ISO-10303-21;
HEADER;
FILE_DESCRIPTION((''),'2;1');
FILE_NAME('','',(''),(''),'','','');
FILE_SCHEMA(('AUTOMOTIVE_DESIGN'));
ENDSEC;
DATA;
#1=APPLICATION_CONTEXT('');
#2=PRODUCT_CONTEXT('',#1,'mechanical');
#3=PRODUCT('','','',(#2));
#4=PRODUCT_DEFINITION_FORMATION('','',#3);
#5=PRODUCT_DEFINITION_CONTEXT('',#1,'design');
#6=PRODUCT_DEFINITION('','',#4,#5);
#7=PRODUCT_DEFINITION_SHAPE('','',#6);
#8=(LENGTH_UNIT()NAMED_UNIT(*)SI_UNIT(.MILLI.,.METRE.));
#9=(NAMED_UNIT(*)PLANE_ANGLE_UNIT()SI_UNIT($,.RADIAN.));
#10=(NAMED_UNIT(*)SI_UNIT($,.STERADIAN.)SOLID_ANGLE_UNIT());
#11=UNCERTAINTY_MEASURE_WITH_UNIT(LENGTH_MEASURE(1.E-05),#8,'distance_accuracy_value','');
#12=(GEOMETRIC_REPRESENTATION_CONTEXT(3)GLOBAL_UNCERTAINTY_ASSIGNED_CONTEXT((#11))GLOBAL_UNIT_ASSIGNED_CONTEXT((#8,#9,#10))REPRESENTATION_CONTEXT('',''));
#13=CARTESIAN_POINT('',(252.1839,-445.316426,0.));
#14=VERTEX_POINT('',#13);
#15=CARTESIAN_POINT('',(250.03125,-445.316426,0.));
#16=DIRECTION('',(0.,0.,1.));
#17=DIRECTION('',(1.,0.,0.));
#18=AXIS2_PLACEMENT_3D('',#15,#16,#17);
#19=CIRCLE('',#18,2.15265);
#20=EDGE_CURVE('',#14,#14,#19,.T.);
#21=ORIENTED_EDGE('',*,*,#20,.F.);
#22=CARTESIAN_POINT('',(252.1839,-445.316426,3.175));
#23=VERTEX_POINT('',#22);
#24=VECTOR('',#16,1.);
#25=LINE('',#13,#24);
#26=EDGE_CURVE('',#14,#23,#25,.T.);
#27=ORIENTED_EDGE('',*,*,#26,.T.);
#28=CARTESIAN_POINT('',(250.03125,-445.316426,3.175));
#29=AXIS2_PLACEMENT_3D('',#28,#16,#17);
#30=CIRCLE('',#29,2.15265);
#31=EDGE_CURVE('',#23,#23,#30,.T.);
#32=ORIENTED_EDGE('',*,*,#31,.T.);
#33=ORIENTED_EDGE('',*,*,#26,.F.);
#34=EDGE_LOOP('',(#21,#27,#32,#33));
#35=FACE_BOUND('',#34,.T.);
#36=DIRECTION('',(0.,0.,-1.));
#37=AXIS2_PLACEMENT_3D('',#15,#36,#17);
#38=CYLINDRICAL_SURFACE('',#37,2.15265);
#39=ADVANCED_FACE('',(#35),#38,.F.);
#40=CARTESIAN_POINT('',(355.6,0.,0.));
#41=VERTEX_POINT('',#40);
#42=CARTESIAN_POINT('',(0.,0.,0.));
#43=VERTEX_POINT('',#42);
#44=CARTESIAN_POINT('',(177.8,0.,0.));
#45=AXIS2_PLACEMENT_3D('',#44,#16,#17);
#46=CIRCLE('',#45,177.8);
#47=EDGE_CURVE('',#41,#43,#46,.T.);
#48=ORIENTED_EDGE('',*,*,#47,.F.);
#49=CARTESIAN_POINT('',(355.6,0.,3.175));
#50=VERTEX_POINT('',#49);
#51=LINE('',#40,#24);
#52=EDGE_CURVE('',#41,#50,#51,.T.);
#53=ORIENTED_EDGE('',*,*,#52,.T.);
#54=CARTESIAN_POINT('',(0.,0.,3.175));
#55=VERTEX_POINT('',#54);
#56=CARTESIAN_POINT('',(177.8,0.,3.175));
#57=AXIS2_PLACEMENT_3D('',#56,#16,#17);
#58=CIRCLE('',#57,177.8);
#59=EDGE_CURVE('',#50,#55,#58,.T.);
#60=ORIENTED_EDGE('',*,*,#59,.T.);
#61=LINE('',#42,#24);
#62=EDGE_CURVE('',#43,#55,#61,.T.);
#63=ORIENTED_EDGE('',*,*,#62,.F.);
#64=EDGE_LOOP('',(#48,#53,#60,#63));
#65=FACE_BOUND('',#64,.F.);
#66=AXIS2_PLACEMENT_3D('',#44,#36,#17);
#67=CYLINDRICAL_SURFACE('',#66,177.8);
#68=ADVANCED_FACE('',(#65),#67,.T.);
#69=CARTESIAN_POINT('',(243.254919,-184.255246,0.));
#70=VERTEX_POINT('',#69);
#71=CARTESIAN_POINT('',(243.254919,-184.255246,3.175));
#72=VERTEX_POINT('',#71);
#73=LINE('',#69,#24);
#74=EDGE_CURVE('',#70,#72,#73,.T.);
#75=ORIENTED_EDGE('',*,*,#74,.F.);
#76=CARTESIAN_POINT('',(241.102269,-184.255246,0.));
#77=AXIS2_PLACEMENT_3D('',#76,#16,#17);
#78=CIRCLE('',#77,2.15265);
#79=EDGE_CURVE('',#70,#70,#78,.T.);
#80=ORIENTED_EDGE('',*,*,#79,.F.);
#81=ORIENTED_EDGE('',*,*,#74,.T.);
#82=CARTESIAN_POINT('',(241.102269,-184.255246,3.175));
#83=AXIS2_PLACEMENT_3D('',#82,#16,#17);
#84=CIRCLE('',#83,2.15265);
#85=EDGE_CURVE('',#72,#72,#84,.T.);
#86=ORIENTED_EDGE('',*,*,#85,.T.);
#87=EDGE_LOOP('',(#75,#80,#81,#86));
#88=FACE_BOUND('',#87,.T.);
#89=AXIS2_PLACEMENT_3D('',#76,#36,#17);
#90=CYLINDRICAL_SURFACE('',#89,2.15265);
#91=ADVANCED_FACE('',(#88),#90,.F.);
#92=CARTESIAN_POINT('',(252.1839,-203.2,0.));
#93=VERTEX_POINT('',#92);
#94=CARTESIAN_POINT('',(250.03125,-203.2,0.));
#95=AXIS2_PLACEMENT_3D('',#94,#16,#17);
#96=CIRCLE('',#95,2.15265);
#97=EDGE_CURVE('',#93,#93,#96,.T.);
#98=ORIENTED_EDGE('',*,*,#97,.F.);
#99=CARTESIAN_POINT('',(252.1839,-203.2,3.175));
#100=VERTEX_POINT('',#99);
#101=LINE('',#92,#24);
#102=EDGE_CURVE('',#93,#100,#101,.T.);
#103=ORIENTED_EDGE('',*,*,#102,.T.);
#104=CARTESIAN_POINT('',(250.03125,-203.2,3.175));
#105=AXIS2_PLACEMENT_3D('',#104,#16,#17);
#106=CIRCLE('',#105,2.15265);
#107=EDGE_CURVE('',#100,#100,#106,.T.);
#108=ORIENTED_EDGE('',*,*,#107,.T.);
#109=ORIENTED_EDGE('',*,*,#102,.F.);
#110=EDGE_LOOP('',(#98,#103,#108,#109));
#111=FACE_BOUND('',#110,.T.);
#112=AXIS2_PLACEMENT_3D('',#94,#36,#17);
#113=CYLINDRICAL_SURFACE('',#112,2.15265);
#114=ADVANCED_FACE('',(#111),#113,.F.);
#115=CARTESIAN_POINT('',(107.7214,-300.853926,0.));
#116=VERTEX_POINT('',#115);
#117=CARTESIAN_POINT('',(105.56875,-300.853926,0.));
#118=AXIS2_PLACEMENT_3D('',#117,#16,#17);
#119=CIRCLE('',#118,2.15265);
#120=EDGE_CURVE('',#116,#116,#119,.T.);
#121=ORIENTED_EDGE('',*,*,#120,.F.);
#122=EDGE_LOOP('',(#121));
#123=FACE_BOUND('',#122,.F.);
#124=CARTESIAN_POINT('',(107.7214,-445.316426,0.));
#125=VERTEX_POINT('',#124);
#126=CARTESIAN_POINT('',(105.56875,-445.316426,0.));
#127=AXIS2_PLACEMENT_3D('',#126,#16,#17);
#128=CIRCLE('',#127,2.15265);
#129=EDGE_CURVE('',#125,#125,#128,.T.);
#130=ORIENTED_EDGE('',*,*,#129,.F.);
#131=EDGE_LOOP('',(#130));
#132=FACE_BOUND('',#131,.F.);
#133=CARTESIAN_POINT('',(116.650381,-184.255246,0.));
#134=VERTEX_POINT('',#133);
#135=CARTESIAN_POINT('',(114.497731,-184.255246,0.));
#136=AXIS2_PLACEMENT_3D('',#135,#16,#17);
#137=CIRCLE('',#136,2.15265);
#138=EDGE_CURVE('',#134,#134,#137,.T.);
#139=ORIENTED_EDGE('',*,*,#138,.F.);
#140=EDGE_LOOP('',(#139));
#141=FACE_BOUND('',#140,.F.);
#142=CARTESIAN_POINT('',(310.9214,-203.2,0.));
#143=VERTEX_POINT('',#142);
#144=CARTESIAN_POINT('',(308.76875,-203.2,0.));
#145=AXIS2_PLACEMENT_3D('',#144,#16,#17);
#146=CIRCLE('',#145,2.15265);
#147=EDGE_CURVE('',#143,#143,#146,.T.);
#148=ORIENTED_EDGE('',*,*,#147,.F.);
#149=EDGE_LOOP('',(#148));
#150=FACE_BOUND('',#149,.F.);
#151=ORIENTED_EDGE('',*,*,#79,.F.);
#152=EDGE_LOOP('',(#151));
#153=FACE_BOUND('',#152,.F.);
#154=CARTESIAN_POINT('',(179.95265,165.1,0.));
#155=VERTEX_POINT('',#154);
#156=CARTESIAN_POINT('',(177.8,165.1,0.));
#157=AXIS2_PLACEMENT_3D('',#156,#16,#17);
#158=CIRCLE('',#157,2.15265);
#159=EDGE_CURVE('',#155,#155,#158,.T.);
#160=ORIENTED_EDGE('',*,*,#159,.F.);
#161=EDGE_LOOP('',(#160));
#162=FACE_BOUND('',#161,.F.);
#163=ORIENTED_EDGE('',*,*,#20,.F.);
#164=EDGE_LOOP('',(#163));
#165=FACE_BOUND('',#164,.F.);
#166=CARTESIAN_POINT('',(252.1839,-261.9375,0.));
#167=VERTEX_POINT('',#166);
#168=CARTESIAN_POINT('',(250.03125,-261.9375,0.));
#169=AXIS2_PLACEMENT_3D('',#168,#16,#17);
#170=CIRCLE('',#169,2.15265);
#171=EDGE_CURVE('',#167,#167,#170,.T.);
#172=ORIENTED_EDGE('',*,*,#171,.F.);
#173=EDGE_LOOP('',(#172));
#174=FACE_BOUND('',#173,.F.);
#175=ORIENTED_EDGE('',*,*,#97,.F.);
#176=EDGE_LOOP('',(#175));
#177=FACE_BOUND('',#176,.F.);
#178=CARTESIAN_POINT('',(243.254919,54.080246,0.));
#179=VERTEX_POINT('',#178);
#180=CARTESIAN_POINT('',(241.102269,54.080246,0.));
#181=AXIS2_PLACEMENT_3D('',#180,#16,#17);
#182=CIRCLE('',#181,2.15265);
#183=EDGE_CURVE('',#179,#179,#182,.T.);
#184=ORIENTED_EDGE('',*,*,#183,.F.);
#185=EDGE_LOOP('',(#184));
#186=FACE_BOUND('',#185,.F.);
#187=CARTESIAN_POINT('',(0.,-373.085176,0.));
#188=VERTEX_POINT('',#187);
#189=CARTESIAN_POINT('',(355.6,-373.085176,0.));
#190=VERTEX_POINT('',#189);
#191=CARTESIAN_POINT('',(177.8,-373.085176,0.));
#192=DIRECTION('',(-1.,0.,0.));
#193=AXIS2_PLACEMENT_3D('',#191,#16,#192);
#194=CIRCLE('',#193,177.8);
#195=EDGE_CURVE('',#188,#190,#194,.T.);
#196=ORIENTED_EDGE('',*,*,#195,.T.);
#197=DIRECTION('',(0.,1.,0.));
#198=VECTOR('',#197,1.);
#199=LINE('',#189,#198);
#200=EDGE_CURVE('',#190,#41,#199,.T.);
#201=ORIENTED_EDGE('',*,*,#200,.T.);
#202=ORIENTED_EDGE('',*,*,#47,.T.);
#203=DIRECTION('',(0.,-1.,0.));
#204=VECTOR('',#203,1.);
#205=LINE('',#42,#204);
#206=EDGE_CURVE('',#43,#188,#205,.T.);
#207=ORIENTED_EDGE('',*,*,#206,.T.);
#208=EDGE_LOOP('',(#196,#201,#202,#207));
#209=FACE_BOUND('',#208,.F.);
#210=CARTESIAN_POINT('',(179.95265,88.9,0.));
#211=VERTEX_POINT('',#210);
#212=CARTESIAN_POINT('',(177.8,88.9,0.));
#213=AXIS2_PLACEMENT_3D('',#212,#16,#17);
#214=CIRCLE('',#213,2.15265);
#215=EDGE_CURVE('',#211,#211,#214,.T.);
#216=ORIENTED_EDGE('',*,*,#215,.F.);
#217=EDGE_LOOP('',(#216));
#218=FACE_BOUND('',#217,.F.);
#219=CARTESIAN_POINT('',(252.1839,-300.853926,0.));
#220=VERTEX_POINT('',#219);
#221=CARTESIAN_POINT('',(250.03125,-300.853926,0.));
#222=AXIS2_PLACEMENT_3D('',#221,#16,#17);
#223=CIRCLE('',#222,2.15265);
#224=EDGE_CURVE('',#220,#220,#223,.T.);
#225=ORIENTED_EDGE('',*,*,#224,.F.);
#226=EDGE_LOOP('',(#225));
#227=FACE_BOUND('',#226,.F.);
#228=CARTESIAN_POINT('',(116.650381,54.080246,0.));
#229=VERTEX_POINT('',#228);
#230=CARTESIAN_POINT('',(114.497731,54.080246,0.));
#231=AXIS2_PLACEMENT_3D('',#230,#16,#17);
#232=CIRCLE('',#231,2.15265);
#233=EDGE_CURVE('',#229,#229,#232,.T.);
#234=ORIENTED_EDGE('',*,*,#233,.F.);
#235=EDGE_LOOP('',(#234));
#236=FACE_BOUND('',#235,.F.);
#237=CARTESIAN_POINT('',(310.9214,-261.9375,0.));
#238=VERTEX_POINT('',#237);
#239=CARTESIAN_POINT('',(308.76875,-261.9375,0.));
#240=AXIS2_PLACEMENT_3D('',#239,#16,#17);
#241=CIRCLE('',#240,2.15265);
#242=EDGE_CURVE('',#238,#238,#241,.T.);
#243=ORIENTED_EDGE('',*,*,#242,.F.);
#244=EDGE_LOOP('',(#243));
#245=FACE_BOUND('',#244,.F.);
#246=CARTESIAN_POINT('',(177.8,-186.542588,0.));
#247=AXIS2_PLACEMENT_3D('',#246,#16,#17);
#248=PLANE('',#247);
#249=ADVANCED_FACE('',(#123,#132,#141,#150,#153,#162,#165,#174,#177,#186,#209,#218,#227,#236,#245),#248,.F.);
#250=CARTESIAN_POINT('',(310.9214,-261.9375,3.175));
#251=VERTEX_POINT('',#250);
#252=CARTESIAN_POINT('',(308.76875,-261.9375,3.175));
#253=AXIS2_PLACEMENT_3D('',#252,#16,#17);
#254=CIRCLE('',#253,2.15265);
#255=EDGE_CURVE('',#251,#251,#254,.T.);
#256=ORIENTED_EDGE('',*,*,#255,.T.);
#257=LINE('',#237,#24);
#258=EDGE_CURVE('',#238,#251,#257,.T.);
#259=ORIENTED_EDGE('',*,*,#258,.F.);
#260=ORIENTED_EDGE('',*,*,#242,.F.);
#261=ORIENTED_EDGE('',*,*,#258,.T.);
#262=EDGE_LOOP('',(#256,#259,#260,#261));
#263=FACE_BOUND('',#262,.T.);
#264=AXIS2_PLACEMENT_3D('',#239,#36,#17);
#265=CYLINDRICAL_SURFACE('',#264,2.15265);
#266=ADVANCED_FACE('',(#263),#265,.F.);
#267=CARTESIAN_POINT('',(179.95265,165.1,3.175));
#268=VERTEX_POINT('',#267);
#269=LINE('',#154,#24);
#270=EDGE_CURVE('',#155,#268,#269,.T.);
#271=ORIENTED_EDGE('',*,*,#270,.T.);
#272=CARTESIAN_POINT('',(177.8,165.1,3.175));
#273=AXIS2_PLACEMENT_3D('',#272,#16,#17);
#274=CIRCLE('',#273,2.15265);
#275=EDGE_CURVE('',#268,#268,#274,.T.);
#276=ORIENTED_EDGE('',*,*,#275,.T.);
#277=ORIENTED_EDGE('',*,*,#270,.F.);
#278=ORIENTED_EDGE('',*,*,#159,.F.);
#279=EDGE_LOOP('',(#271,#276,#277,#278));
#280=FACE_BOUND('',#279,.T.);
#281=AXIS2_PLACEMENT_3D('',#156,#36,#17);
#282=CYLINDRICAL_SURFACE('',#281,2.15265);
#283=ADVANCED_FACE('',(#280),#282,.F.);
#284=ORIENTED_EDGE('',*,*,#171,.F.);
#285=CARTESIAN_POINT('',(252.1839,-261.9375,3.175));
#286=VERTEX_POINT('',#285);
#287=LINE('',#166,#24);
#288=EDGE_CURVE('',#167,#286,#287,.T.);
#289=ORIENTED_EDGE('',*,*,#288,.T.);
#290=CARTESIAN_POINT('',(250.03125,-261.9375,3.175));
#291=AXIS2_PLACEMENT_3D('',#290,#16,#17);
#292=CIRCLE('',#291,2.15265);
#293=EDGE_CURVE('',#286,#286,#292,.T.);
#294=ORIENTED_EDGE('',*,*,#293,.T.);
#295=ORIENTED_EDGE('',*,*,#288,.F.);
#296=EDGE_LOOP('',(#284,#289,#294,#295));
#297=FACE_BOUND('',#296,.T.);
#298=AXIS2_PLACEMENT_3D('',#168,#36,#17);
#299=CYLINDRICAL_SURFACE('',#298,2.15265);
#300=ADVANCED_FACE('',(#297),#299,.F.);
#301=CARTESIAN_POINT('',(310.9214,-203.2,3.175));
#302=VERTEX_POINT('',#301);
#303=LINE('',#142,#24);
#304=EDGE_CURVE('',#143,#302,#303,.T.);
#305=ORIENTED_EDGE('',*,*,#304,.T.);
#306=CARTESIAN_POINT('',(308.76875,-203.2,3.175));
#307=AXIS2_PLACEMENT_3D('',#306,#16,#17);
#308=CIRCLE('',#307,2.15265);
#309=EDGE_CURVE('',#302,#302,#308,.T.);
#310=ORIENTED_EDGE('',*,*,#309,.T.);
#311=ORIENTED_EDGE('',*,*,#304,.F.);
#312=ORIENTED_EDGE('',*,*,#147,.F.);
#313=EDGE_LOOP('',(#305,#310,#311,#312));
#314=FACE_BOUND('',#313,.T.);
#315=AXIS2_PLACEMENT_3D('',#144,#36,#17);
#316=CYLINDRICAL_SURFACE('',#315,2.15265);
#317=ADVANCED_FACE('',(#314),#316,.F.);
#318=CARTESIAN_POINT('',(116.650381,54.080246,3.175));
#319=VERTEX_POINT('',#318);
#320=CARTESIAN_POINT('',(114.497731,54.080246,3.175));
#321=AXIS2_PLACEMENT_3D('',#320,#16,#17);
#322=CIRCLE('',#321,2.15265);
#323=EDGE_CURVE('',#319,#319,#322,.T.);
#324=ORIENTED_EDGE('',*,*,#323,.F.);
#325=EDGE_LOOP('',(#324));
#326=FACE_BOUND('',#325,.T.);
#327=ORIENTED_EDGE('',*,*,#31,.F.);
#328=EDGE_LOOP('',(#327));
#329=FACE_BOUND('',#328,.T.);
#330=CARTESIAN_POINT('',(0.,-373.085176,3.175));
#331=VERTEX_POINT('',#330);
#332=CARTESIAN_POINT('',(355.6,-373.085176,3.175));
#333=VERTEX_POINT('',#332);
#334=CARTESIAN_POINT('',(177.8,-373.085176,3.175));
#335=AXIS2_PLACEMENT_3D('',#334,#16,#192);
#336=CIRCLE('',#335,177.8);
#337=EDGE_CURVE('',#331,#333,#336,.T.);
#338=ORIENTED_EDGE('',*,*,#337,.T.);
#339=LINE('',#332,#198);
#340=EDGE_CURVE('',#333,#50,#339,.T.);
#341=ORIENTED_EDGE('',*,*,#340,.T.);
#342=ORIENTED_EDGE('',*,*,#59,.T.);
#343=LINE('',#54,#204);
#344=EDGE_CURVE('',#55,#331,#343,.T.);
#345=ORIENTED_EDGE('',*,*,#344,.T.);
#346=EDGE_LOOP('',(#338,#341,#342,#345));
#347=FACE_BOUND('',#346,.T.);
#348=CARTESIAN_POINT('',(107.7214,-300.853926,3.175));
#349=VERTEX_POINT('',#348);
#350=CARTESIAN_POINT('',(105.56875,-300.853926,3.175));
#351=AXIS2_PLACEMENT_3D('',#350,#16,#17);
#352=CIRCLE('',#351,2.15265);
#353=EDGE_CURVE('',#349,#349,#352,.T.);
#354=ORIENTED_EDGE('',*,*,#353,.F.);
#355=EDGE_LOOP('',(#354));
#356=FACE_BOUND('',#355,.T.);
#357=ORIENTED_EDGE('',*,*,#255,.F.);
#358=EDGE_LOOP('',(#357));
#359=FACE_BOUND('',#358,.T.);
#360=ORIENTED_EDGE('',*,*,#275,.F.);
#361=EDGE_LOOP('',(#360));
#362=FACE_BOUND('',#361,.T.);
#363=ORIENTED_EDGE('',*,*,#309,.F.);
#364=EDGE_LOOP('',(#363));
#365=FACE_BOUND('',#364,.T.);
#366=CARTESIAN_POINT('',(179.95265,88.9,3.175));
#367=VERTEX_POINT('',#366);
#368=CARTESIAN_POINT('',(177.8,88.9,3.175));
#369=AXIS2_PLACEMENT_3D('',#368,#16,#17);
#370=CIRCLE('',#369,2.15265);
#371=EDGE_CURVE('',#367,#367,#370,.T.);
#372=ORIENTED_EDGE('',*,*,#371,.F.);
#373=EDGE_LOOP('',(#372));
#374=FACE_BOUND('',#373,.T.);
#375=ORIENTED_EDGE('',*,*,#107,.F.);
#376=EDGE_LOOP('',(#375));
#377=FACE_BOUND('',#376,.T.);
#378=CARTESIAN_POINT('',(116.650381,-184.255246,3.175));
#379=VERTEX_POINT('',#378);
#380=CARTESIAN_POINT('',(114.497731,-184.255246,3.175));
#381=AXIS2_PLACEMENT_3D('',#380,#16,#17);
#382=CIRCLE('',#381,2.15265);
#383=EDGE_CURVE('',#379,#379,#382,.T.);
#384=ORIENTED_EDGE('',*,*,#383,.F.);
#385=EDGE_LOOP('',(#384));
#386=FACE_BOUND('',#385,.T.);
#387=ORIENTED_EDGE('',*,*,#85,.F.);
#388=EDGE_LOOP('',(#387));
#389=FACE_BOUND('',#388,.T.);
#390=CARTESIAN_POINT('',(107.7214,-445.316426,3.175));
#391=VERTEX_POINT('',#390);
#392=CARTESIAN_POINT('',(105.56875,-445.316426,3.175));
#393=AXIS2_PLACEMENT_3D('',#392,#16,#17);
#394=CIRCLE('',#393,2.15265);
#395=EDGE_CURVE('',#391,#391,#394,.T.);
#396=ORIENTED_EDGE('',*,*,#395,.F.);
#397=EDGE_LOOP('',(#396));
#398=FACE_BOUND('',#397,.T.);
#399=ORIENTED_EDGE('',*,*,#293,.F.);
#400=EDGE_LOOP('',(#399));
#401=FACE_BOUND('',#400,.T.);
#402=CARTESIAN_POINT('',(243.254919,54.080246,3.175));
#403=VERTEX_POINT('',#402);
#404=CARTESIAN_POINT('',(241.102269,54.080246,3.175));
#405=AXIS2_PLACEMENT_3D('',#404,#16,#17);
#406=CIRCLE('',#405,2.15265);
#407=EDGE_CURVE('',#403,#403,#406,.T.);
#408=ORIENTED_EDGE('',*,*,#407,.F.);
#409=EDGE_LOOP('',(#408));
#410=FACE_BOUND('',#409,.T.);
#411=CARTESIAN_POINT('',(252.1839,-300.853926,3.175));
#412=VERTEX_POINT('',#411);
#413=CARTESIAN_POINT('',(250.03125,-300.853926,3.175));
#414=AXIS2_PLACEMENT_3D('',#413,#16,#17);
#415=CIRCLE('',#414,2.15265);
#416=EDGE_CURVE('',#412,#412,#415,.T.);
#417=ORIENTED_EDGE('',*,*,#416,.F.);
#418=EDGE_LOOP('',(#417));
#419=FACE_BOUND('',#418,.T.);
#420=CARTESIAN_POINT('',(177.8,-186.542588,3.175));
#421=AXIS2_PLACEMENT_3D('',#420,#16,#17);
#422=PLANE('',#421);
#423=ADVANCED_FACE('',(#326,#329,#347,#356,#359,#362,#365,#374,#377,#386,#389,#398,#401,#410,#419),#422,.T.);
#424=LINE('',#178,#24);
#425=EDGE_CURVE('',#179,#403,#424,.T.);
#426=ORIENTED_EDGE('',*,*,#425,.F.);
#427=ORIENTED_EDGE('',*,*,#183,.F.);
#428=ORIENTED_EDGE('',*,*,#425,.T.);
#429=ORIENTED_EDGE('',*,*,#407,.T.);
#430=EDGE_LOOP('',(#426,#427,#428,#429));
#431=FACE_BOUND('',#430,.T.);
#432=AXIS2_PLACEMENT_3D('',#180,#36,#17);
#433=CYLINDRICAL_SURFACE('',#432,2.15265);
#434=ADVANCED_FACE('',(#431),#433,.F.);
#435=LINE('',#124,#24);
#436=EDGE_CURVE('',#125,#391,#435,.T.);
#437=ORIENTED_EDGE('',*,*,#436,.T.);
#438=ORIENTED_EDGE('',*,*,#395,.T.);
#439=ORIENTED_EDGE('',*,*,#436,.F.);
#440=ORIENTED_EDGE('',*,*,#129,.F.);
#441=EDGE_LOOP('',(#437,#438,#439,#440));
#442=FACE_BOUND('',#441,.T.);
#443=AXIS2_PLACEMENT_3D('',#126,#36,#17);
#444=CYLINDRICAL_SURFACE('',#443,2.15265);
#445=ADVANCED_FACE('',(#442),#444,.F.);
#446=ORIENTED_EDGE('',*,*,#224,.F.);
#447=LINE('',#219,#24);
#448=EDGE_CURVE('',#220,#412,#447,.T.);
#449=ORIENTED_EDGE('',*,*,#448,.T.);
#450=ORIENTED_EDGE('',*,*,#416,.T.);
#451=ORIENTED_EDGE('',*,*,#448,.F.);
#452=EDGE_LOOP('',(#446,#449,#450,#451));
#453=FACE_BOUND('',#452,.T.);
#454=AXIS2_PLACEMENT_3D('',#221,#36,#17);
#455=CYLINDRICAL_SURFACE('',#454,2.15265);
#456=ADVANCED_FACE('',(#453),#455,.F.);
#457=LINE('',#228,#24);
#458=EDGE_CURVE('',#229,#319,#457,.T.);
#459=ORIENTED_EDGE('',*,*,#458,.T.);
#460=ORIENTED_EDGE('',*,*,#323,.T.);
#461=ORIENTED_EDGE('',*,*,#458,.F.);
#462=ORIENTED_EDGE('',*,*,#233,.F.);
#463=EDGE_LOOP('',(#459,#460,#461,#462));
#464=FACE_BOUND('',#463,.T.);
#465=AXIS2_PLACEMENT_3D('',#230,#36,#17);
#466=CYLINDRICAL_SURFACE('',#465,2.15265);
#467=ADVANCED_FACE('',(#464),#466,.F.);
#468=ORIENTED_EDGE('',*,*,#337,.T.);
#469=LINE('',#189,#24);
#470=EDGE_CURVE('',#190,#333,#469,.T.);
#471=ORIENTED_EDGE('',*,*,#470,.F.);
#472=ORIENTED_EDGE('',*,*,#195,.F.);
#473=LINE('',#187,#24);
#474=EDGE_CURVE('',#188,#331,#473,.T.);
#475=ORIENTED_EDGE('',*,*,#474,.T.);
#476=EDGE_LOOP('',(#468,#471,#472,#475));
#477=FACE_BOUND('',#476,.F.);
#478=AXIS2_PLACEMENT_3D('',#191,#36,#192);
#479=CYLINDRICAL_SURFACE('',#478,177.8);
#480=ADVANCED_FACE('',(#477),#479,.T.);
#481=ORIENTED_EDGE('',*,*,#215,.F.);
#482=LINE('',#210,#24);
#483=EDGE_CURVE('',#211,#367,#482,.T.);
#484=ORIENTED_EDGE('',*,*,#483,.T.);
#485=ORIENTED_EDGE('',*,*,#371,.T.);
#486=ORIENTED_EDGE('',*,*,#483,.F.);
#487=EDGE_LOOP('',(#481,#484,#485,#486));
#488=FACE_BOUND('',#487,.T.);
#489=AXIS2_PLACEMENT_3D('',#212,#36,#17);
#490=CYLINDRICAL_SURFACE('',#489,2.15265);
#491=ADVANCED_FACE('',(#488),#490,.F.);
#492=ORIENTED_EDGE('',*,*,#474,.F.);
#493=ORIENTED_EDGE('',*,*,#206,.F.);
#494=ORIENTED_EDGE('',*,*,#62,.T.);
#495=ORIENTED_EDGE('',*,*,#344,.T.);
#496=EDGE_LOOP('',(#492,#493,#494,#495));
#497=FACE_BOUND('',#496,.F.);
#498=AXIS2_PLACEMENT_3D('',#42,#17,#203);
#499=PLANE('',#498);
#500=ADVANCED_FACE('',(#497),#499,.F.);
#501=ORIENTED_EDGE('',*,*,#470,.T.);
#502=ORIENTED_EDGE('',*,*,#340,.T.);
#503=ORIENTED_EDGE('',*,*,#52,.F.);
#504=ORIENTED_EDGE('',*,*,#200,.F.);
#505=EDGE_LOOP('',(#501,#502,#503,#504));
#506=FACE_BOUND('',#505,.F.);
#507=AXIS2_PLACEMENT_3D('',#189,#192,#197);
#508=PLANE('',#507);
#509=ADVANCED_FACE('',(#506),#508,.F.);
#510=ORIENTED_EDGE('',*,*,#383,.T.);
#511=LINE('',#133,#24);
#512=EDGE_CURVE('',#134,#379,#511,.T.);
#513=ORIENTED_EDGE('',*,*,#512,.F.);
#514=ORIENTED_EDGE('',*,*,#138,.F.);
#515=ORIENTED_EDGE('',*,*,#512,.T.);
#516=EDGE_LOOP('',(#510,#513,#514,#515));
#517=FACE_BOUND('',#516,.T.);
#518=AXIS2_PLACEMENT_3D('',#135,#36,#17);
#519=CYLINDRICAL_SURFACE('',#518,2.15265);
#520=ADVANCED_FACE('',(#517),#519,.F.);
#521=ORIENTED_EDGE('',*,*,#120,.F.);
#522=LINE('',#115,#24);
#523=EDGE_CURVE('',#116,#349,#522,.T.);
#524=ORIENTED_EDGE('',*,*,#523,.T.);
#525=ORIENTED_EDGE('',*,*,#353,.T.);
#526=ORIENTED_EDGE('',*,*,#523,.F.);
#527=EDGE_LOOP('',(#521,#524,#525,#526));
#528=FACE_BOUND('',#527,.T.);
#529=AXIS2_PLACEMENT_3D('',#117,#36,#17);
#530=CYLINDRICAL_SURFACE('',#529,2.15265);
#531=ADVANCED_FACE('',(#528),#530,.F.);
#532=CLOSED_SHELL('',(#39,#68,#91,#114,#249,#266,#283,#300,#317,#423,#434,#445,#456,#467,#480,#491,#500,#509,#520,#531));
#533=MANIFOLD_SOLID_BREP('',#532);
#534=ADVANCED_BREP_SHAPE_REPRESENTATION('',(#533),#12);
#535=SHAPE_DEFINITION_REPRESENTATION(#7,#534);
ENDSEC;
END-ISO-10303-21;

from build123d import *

# Parameters (mm, degrees)
F0_R     = 2.15265
F1_DEPTH = 3.175


with BuildPart() as f1:
    # F0 (on Top) → F1 (new body)
    with BuildSketch(Plane.XY):
        with BuildLine():
            ThreePointArc((355.6, 0), (177.8, 177.8), (0, 0))
            Line((0, 0), (0, -373.085176))
            ThreePointArc((0, -373.085176), (177.8, -550.885176), (355.6, -373.085176))
            Line((355.6, -373.085176), (355.6, 0))
        make_face()
        with Locations((105.56875, -445.316426)):
            Circle(F0_R, mode=Mode.SUBTRACT)
        with Locations((105.56875, -300.853926)):
            Circle(F0_R, mode=Mode.SUBTRACT)
        with Locations((250.03125, -445.316426)):
            Circle(F0_R, mode=Mode.SUBTRACT)
        with Locations((250.03125, -300.853926)):
            Circle(F0_R, mode=Mode.SUBTRACT)
        with Locations((250.03125, -261.9375)):
            Circle(F0_R, mode=Mode.SUBTRACT)
        with Locations((250.03125, -203.2)):
            Circle(F0_R, mode=Mode.SUBTRACT)
        with Locations((308.76875, -261.9375)):
            Circle(F0_R, mode=Mode.SUBTRACT)
        with Locations((308.76875, -203.2)):
            Circle(F0_R, mode=Mode.SUBTRACT)
        with Locations((114.497731, -184.255246)):
            Circle(F0_R, mode=Mode.SUBTRACT)
        with Locations((114.497731, 54.080246)):
            Circle(F0_R, mode=Mode.SUBTRACT)
        with Locations((241.102269, -184.255246)):
            Circle(F0_R, mode=Mode.SUBTRACT)
        with Locations((241.102269, 54.080246)):
            Circle(F0_R, mode=Mode.SUBTRACT)
        with Locations((177.8, 88.9)):
            Circle(F0_R, mode=Mode.SUBTRACT)
        with Locations((177.8, 165.1)):
            Circle(F0_R, mode=Mode.SUBTRACT)
    extrude(amount=F1_DEPTH)


solid = f1.part
